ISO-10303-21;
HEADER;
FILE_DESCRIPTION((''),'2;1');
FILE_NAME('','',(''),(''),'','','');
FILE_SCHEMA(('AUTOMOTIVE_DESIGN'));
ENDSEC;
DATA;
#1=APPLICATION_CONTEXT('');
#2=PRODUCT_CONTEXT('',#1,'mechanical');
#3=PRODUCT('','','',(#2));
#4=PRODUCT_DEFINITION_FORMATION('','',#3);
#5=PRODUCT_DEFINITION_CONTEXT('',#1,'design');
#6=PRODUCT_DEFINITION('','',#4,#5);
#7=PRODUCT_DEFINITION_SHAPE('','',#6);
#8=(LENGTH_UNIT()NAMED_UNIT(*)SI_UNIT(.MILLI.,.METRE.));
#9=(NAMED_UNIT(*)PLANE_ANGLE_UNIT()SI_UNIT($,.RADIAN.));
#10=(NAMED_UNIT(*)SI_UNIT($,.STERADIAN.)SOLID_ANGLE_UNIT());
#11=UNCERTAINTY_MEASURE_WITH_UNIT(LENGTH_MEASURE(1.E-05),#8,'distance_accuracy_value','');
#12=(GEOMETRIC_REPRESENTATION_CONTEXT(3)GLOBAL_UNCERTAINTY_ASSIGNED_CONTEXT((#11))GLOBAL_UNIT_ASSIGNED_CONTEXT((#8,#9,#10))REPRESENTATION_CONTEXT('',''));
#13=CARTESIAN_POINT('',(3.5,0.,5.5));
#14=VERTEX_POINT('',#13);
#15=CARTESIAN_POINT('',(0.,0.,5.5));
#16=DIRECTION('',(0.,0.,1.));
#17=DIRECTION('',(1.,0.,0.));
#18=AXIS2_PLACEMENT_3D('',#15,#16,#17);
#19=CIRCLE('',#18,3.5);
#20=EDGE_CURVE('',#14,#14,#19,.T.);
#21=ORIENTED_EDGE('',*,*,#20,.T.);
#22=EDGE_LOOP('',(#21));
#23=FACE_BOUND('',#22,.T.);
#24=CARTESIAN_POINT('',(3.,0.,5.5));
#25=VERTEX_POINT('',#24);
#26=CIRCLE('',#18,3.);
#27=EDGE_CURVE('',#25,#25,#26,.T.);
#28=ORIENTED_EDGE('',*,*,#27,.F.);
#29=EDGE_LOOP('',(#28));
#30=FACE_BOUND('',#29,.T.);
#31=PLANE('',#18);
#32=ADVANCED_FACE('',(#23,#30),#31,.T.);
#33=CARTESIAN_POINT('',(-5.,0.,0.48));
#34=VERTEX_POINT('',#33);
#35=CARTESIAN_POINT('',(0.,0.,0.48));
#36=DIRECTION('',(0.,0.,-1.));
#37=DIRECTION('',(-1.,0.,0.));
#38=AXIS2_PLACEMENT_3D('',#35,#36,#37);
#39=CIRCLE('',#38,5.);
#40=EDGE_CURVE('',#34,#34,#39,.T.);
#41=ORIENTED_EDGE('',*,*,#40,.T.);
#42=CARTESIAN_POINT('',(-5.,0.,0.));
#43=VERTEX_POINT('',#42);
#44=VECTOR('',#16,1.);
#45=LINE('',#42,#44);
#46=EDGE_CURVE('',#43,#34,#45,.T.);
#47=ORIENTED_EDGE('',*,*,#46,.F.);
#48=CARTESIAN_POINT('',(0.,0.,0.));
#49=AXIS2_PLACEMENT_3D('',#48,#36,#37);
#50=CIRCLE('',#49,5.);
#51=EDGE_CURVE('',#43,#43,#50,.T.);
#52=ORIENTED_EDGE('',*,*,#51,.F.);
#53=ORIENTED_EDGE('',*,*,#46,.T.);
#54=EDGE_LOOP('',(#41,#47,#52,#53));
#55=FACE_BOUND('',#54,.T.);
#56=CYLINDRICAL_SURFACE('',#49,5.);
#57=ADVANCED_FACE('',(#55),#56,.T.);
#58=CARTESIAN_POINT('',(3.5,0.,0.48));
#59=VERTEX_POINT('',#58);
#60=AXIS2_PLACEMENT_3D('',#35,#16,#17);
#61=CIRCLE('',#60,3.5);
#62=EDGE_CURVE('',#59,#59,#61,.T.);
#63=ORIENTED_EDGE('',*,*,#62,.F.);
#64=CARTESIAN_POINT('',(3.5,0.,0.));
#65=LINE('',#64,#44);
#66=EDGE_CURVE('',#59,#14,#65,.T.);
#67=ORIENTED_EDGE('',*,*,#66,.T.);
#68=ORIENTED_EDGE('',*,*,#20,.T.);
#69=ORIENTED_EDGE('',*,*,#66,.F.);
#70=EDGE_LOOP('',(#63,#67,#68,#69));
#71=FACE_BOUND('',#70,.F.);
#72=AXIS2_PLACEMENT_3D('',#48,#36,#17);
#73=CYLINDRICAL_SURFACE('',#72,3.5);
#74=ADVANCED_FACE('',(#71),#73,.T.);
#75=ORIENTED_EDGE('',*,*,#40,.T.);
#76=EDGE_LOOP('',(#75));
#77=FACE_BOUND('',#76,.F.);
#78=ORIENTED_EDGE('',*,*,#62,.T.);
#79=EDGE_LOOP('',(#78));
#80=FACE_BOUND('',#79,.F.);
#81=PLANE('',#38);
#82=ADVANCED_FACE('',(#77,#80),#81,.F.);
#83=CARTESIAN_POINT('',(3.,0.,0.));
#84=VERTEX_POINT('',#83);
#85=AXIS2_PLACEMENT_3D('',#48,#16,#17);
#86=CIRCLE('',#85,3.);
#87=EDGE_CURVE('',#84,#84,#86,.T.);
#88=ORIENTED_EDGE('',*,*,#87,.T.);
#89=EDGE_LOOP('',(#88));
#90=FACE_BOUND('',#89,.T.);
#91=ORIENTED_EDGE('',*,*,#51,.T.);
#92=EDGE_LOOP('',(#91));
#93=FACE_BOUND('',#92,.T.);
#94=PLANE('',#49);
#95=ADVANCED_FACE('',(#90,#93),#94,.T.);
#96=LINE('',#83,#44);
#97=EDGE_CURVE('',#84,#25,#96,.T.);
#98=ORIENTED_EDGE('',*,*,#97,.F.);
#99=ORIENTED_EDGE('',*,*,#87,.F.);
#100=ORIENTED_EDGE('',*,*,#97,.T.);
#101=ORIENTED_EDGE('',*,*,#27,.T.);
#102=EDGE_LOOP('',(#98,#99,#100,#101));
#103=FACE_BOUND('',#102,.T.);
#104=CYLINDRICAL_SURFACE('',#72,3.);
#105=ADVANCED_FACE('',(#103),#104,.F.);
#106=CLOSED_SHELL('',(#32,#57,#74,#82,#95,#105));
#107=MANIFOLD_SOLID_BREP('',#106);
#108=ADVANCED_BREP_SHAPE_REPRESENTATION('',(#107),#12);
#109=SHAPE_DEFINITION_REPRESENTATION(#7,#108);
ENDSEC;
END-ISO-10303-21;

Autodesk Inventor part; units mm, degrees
ref_plane "YZ Plane" through (0, 0, 0) normal (1, 0, 0) x (0, 1, 0)
ref_plane "XZ Plane" through (0, 0, 0) normal (0, 1, 0) x (-1, 0, 0)
ref_plane "XY Plane" through (0, 0, 0) normal (0, 0, 1) x (1, 0, 0)
sketch "スケッチ1" plane through (0, 0, 0) normal (0, 0, 1) x (1, 0, 0)
  circle A0 centre (0, 0) radius 3
  circle A1 centre (0, 0) radius 3.5
  dimension "d0" = 6
  dimension "d1" = 7
extrude "押し出し1" add sketch "スケッチ1" along normal blind 5.5
sketch "スケッチ2" plane through (0, 0, 0) normal (0, 0, -1) x (-1, 0, 0)
  circle A0 centre (0, 0) radius 3.5 projected
  circle A1 centre (0, 0) radius 5
  dimension "d6" = 10
extrude "押し出し2" add sketch "スケッチ2" against normal blind 0.48
properties part number "ドライメッシュw5.5f6-7a" material "真鍮、ソフト イエロー"
